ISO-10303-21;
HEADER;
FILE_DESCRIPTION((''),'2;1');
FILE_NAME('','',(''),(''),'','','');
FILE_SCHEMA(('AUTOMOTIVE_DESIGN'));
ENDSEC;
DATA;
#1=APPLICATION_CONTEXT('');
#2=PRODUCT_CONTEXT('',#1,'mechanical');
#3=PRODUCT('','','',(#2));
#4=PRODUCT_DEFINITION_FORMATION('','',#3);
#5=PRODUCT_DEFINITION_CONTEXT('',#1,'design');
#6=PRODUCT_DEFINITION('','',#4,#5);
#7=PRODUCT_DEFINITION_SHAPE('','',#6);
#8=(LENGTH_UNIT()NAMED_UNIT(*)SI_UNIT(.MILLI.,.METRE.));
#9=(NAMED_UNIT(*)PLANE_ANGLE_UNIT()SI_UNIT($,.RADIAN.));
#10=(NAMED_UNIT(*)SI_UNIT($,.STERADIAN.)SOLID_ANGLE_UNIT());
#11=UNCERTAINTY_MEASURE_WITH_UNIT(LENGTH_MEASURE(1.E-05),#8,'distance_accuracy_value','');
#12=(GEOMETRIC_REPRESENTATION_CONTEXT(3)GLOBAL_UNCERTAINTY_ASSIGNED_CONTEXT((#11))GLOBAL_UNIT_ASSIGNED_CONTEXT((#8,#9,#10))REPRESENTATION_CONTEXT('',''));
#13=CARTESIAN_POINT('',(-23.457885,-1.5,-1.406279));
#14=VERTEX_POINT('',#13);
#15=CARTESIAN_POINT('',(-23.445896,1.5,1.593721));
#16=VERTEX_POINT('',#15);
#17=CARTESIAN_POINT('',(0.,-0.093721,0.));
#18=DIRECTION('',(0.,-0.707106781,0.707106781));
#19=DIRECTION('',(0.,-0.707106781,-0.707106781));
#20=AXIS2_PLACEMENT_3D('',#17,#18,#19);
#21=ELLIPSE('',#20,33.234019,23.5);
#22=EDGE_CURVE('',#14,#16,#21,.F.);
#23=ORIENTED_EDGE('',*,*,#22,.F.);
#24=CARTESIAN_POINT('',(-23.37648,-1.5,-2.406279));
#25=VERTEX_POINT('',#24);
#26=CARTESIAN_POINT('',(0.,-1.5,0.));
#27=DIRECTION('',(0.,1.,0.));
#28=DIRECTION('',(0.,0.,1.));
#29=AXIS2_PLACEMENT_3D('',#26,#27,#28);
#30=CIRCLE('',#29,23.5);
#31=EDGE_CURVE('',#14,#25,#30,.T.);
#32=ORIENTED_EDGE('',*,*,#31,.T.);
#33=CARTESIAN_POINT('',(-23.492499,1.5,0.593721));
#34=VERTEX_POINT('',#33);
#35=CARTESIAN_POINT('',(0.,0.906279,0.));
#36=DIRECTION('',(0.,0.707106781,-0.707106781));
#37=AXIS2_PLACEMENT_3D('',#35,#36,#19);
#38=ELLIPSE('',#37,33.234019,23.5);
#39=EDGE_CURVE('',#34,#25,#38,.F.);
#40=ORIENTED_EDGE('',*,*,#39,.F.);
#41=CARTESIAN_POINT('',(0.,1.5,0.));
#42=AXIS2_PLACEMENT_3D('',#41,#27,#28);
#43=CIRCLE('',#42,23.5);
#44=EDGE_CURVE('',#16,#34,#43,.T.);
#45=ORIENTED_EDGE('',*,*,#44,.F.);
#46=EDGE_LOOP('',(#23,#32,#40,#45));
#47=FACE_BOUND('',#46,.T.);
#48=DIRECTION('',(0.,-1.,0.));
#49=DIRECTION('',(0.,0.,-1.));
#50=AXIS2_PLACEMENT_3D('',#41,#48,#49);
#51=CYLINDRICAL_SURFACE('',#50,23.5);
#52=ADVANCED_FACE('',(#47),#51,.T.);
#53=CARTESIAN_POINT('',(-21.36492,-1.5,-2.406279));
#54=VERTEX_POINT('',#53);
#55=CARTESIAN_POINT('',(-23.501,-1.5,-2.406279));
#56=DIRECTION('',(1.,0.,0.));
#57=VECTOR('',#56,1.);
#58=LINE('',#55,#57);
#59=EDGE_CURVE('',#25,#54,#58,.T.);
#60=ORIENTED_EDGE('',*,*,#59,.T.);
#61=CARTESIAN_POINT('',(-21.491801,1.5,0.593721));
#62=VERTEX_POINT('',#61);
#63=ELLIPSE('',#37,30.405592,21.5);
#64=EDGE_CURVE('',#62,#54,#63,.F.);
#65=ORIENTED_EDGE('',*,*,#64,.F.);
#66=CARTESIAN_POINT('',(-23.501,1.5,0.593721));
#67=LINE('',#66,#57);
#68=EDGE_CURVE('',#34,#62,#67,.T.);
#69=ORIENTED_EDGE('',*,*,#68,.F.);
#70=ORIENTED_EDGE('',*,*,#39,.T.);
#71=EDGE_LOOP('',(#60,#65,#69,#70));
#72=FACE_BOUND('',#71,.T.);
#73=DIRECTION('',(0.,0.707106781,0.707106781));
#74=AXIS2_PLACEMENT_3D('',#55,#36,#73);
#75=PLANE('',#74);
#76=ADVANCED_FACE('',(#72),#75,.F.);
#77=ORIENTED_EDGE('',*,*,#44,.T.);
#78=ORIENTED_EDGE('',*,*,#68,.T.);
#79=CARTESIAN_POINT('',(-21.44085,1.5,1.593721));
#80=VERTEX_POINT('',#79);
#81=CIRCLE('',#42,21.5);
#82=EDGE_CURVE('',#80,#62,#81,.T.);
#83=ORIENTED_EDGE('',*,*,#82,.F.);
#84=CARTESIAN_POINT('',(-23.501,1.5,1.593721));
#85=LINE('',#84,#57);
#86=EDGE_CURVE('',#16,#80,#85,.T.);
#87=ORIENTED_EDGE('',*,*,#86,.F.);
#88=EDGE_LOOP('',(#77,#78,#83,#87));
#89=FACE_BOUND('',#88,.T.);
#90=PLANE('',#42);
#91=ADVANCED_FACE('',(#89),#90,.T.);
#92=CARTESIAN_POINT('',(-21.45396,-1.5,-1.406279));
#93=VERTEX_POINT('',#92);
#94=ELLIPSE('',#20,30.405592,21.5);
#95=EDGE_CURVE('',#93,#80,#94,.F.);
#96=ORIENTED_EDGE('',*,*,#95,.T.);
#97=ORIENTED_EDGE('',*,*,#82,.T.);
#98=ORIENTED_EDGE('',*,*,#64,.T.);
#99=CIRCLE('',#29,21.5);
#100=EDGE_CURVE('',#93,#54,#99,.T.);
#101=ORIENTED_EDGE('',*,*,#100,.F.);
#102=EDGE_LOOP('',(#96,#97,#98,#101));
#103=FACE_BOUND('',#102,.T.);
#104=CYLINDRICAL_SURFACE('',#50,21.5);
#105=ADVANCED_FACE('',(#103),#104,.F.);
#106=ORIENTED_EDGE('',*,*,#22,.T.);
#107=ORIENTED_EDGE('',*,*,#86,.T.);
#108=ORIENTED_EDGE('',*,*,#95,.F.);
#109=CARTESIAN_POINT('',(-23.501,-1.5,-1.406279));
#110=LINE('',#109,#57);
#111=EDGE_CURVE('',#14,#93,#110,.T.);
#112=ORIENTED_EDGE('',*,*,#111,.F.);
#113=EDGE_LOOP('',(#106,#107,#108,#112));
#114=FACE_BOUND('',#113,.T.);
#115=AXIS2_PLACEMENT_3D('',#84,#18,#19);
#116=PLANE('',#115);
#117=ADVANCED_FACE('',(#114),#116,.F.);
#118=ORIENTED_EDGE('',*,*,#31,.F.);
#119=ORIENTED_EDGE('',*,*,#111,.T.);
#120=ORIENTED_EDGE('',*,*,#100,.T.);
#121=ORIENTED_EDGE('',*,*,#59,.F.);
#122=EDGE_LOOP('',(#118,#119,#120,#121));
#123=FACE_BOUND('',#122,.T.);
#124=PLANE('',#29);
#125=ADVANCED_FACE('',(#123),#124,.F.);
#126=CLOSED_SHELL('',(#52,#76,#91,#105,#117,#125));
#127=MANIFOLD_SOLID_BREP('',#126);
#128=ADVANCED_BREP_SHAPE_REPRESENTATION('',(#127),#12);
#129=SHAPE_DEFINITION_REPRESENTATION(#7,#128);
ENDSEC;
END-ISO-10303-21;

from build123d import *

# Parameters (mm, degrees)
SKETCH1_R           = 23.5
SKETCH1_R_2         = 21.5
BOSS_EXTRUDE1_DEPTH = 1.5
CUT_EXTRUDE1_REACH  = 25.5


with BuildPart() as part:
    # Sketch1 → Boss-Extrude1 (new body, symmetric)
    with BuildSketch(Plane(origin=(0, 0, 0), x_dir=(1, 0, 0), z_dir=(0, 1, 0))):
        Circle(SKETCH1_R)
        Circle(SKETCH1_R_2, mode=Mode.SUBTRACT)
    extrude(amount=BOSS_EXTRUDE1_DEPTH, both=True)

    # Sketch2 → Cut-Extrude1 (cut, up to next)
    with BuildSketch(Plane(origin=(0, 0, 0), x_dir=(0, 0, -1), z_dir=(1, 0, 0)), mode=Mode.PRIVATE) as cut_extrude1_sk1:
        Polygon((-1.593721188, 1.5), (1.406278812, -1.5), (2.406278812, -1.5), (-0.593721188, 1.5), align=None)
    cut_extrude1_tool1 = extrude(cut_extrude1_sk1.sketch, amount=-CUT_EXTRUDE1_REACH, mode=Mode.PRIVATE) & part.part
    add(cut_extrude1_tool1.solids().sort_by_distance((0, 0, -0.406279))[0], mode=Mode.SUBTRACT)


solid = part.part
